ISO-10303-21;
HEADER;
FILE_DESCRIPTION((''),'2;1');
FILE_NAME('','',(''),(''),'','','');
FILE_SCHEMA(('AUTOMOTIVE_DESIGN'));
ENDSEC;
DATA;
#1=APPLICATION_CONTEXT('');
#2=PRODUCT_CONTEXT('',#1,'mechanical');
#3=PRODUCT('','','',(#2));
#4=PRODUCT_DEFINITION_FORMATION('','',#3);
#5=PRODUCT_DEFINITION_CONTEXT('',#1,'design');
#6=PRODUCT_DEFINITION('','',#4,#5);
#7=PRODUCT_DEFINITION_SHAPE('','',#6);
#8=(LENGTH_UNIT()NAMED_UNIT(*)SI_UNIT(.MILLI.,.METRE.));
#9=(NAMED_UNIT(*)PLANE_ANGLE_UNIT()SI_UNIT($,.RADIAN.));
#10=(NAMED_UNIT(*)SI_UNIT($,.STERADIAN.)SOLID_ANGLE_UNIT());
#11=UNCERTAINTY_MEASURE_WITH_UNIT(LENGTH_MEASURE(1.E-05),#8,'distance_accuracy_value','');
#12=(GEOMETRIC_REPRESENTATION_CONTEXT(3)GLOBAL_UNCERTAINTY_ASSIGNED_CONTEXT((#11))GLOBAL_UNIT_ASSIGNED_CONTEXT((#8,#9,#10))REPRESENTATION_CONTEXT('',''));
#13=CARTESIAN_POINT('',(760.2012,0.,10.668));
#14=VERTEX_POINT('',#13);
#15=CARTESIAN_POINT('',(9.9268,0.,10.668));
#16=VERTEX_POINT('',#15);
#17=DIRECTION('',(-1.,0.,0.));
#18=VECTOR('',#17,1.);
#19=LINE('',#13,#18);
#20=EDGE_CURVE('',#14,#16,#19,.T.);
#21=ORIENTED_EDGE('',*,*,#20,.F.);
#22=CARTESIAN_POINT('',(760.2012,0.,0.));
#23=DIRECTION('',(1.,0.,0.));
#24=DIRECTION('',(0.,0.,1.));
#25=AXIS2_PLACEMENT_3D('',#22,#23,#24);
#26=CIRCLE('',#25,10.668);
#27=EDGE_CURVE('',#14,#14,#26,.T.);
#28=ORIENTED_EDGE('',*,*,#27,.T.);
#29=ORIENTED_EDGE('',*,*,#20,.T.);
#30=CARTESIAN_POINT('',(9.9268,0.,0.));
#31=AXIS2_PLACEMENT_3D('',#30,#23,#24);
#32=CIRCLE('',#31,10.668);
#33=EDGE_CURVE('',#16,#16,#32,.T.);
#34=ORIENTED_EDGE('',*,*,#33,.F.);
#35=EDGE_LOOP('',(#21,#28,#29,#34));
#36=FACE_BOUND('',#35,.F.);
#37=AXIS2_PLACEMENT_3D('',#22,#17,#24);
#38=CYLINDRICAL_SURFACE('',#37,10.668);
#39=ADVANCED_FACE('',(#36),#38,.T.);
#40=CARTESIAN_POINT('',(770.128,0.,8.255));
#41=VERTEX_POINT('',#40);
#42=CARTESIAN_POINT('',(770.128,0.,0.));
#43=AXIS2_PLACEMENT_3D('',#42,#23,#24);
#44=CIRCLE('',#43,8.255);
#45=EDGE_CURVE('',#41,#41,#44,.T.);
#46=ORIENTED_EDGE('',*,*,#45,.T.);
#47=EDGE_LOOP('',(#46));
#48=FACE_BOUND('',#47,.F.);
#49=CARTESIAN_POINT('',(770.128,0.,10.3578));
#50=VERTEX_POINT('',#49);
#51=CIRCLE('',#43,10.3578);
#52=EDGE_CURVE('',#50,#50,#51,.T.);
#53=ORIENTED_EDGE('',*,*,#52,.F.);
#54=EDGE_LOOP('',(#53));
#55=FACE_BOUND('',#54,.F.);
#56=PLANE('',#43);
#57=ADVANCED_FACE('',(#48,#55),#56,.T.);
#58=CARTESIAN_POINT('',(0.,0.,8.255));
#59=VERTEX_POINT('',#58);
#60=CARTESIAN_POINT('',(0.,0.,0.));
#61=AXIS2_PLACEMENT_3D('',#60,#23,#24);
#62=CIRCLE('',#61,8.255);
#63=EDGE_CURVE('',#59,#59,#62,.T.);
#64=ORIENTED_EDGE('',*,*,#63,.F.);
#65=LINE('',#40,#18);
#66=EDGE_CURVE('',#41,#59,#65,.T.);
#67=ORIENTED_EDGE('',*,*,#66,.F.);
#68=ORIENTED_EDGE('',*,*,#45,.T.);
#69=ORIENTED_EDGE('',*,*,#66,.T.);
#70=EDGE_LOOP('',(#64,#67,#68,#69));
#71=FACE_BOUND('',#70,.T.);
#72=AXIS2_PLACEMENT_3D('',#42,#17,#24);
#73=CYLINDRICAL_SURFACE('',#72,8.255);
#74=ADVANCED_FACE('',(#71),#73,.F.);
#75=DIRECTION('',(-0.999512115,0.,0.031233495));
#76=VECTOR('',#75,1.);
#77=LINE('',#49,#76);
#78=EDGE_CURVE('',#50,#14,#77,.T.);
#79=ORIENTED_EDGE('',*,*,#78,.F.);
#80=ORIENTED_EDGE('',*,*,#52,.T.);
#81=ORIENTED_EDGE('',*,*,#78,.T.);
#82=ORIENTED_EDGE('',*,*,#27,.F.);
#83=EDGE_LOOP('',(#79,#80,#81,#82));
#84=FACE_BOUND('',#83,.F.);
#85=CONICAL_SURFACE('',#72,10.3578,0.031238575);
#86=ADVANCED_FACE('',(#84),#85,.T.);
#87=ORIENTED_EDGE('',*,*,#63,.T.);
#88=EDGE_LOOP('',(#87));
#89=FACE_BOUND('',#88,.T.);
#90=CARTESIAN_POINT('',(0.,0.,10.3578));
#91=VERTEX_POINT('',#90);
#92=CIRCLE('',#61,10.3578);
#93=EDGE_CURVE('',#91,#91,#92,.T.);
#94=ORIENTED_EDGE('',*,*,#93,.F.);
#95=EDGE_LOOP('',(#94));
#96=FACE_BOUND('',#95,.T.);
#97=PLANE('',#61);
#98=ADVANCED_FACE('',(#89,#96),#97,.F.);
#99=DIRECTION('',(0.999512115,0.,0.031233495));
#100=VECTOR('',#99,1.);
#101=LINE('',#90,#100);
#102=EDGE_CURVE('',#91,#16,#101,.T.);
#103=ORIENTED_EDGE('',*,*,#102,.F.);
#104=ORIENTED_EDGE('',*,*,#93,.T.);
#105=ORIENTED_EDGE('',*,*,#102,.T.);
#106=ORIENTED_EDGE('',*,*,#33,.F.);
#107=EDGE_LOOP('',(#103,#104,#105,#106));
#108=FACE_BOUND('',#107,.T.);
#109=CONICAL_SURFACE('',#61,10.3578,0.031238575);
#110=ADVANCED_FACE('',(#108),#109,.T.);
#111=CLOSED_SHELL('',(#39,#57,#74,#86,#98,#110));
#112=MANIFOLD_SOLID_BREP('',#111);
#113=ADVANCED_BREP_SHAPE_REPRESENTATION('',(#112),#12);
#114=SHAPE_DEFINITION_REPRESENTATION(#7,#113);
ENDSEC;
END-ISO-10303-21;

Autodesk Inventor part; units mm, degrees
ref_plane "YZ Plane" through (0, 0, 0) normal (1, 0, 0) x (0, 1, 0)
ref_plane "XZ Plane" through (0, 0, 0) normal (0, 1, 0) x (-1, 0, 0)
ref_plane "XY Plane" through (0, 0, 0) normal (0, 0, 1) x (1, 0, 0)
sketch "Sketch1" plane through (0, 0, 0) normal (0, 1, 0) x (-1, 0, 0)
  line L0 (0, 0) -> (-770.128, 0)
  line L1 (-770.128, 0) -> (-770.128, 8.255) construction
  line L2 (-770.128, 8.255) -> (-770.128, 10.3578)
  line L3 (-770.128, 10.3578) -> (-760.2012, 10.668)
  line L4 (-760.2012, 10.668) -> (-9.9268, 10.668)
  line L5 (-385.064, 0) -> (-385.064, 10.668) construction
  line L6 (-770.128, 8.255) -> (0, 8.255)
  line L7 (0, 0) -> (0, 8.255) construction
  line L8 (0, 8.255) -> (0, 10.3578)
  line L9 (0, 10.3578) -> (-9.9268, 10.668)
  line L10 (-756.572, 10.7814) -> (-756.572, 0) construction
  line L11 (-13.556, 10.7814) -> (-13.556, 0) construction
  line L12 (-760.2012, 10.668) -> (-756.572, 10.7814) construction
  line L13 (-760.2012, 10.668) -> (-760.2012, 0) construction
  line L14 (-9.9268, 10.668) -> (-13.556, 10.7814) construction
  line L15 (-9.9268, 10.668) -> (-9.9268, 0) construction
  dimension "d0" = 21.336
  dimension "d1" = 1.79
  dimension "d2" = 16.51
  dimension "d3" = 770.128
  dimension "d4" = 13.556
  dimension "d5" = 21.5628
revolve "Revolution1" add sketch "Sketch1" angle 360 about axis through (0, 0, 0) along (1, 0, 0)
thread "Thread1" size "1/2" designation "1/2 - 14 NPT" standard "NPT" full length
thread "Thread2" size "1/2" designation "1/2 - 14 NPT" standard "NPT" full length
equation "\"d0\" = OD"
equation "\"d2\" = ID"
equation "\"d3\" = L"
equation "\"d4\" = L2"
equation "\"d5\" = D2"
equation "\"OD\" = 21.336"
equation "\"t\" = 2.413"
equation "\"L\" = PL"
equation "\"L4\" = 19.8501"
equation "\"ID\" = 16.51"
equation "\"PL\" = 770.128"
equation "\"D2\" = 21.56282"
equation "\"L2\" = 13.55598"
equation "\"Size_Designation\" = 1.2345"
equation "\"PLmin\" = 2 * L2"
properties material "Steel, Wrought"
